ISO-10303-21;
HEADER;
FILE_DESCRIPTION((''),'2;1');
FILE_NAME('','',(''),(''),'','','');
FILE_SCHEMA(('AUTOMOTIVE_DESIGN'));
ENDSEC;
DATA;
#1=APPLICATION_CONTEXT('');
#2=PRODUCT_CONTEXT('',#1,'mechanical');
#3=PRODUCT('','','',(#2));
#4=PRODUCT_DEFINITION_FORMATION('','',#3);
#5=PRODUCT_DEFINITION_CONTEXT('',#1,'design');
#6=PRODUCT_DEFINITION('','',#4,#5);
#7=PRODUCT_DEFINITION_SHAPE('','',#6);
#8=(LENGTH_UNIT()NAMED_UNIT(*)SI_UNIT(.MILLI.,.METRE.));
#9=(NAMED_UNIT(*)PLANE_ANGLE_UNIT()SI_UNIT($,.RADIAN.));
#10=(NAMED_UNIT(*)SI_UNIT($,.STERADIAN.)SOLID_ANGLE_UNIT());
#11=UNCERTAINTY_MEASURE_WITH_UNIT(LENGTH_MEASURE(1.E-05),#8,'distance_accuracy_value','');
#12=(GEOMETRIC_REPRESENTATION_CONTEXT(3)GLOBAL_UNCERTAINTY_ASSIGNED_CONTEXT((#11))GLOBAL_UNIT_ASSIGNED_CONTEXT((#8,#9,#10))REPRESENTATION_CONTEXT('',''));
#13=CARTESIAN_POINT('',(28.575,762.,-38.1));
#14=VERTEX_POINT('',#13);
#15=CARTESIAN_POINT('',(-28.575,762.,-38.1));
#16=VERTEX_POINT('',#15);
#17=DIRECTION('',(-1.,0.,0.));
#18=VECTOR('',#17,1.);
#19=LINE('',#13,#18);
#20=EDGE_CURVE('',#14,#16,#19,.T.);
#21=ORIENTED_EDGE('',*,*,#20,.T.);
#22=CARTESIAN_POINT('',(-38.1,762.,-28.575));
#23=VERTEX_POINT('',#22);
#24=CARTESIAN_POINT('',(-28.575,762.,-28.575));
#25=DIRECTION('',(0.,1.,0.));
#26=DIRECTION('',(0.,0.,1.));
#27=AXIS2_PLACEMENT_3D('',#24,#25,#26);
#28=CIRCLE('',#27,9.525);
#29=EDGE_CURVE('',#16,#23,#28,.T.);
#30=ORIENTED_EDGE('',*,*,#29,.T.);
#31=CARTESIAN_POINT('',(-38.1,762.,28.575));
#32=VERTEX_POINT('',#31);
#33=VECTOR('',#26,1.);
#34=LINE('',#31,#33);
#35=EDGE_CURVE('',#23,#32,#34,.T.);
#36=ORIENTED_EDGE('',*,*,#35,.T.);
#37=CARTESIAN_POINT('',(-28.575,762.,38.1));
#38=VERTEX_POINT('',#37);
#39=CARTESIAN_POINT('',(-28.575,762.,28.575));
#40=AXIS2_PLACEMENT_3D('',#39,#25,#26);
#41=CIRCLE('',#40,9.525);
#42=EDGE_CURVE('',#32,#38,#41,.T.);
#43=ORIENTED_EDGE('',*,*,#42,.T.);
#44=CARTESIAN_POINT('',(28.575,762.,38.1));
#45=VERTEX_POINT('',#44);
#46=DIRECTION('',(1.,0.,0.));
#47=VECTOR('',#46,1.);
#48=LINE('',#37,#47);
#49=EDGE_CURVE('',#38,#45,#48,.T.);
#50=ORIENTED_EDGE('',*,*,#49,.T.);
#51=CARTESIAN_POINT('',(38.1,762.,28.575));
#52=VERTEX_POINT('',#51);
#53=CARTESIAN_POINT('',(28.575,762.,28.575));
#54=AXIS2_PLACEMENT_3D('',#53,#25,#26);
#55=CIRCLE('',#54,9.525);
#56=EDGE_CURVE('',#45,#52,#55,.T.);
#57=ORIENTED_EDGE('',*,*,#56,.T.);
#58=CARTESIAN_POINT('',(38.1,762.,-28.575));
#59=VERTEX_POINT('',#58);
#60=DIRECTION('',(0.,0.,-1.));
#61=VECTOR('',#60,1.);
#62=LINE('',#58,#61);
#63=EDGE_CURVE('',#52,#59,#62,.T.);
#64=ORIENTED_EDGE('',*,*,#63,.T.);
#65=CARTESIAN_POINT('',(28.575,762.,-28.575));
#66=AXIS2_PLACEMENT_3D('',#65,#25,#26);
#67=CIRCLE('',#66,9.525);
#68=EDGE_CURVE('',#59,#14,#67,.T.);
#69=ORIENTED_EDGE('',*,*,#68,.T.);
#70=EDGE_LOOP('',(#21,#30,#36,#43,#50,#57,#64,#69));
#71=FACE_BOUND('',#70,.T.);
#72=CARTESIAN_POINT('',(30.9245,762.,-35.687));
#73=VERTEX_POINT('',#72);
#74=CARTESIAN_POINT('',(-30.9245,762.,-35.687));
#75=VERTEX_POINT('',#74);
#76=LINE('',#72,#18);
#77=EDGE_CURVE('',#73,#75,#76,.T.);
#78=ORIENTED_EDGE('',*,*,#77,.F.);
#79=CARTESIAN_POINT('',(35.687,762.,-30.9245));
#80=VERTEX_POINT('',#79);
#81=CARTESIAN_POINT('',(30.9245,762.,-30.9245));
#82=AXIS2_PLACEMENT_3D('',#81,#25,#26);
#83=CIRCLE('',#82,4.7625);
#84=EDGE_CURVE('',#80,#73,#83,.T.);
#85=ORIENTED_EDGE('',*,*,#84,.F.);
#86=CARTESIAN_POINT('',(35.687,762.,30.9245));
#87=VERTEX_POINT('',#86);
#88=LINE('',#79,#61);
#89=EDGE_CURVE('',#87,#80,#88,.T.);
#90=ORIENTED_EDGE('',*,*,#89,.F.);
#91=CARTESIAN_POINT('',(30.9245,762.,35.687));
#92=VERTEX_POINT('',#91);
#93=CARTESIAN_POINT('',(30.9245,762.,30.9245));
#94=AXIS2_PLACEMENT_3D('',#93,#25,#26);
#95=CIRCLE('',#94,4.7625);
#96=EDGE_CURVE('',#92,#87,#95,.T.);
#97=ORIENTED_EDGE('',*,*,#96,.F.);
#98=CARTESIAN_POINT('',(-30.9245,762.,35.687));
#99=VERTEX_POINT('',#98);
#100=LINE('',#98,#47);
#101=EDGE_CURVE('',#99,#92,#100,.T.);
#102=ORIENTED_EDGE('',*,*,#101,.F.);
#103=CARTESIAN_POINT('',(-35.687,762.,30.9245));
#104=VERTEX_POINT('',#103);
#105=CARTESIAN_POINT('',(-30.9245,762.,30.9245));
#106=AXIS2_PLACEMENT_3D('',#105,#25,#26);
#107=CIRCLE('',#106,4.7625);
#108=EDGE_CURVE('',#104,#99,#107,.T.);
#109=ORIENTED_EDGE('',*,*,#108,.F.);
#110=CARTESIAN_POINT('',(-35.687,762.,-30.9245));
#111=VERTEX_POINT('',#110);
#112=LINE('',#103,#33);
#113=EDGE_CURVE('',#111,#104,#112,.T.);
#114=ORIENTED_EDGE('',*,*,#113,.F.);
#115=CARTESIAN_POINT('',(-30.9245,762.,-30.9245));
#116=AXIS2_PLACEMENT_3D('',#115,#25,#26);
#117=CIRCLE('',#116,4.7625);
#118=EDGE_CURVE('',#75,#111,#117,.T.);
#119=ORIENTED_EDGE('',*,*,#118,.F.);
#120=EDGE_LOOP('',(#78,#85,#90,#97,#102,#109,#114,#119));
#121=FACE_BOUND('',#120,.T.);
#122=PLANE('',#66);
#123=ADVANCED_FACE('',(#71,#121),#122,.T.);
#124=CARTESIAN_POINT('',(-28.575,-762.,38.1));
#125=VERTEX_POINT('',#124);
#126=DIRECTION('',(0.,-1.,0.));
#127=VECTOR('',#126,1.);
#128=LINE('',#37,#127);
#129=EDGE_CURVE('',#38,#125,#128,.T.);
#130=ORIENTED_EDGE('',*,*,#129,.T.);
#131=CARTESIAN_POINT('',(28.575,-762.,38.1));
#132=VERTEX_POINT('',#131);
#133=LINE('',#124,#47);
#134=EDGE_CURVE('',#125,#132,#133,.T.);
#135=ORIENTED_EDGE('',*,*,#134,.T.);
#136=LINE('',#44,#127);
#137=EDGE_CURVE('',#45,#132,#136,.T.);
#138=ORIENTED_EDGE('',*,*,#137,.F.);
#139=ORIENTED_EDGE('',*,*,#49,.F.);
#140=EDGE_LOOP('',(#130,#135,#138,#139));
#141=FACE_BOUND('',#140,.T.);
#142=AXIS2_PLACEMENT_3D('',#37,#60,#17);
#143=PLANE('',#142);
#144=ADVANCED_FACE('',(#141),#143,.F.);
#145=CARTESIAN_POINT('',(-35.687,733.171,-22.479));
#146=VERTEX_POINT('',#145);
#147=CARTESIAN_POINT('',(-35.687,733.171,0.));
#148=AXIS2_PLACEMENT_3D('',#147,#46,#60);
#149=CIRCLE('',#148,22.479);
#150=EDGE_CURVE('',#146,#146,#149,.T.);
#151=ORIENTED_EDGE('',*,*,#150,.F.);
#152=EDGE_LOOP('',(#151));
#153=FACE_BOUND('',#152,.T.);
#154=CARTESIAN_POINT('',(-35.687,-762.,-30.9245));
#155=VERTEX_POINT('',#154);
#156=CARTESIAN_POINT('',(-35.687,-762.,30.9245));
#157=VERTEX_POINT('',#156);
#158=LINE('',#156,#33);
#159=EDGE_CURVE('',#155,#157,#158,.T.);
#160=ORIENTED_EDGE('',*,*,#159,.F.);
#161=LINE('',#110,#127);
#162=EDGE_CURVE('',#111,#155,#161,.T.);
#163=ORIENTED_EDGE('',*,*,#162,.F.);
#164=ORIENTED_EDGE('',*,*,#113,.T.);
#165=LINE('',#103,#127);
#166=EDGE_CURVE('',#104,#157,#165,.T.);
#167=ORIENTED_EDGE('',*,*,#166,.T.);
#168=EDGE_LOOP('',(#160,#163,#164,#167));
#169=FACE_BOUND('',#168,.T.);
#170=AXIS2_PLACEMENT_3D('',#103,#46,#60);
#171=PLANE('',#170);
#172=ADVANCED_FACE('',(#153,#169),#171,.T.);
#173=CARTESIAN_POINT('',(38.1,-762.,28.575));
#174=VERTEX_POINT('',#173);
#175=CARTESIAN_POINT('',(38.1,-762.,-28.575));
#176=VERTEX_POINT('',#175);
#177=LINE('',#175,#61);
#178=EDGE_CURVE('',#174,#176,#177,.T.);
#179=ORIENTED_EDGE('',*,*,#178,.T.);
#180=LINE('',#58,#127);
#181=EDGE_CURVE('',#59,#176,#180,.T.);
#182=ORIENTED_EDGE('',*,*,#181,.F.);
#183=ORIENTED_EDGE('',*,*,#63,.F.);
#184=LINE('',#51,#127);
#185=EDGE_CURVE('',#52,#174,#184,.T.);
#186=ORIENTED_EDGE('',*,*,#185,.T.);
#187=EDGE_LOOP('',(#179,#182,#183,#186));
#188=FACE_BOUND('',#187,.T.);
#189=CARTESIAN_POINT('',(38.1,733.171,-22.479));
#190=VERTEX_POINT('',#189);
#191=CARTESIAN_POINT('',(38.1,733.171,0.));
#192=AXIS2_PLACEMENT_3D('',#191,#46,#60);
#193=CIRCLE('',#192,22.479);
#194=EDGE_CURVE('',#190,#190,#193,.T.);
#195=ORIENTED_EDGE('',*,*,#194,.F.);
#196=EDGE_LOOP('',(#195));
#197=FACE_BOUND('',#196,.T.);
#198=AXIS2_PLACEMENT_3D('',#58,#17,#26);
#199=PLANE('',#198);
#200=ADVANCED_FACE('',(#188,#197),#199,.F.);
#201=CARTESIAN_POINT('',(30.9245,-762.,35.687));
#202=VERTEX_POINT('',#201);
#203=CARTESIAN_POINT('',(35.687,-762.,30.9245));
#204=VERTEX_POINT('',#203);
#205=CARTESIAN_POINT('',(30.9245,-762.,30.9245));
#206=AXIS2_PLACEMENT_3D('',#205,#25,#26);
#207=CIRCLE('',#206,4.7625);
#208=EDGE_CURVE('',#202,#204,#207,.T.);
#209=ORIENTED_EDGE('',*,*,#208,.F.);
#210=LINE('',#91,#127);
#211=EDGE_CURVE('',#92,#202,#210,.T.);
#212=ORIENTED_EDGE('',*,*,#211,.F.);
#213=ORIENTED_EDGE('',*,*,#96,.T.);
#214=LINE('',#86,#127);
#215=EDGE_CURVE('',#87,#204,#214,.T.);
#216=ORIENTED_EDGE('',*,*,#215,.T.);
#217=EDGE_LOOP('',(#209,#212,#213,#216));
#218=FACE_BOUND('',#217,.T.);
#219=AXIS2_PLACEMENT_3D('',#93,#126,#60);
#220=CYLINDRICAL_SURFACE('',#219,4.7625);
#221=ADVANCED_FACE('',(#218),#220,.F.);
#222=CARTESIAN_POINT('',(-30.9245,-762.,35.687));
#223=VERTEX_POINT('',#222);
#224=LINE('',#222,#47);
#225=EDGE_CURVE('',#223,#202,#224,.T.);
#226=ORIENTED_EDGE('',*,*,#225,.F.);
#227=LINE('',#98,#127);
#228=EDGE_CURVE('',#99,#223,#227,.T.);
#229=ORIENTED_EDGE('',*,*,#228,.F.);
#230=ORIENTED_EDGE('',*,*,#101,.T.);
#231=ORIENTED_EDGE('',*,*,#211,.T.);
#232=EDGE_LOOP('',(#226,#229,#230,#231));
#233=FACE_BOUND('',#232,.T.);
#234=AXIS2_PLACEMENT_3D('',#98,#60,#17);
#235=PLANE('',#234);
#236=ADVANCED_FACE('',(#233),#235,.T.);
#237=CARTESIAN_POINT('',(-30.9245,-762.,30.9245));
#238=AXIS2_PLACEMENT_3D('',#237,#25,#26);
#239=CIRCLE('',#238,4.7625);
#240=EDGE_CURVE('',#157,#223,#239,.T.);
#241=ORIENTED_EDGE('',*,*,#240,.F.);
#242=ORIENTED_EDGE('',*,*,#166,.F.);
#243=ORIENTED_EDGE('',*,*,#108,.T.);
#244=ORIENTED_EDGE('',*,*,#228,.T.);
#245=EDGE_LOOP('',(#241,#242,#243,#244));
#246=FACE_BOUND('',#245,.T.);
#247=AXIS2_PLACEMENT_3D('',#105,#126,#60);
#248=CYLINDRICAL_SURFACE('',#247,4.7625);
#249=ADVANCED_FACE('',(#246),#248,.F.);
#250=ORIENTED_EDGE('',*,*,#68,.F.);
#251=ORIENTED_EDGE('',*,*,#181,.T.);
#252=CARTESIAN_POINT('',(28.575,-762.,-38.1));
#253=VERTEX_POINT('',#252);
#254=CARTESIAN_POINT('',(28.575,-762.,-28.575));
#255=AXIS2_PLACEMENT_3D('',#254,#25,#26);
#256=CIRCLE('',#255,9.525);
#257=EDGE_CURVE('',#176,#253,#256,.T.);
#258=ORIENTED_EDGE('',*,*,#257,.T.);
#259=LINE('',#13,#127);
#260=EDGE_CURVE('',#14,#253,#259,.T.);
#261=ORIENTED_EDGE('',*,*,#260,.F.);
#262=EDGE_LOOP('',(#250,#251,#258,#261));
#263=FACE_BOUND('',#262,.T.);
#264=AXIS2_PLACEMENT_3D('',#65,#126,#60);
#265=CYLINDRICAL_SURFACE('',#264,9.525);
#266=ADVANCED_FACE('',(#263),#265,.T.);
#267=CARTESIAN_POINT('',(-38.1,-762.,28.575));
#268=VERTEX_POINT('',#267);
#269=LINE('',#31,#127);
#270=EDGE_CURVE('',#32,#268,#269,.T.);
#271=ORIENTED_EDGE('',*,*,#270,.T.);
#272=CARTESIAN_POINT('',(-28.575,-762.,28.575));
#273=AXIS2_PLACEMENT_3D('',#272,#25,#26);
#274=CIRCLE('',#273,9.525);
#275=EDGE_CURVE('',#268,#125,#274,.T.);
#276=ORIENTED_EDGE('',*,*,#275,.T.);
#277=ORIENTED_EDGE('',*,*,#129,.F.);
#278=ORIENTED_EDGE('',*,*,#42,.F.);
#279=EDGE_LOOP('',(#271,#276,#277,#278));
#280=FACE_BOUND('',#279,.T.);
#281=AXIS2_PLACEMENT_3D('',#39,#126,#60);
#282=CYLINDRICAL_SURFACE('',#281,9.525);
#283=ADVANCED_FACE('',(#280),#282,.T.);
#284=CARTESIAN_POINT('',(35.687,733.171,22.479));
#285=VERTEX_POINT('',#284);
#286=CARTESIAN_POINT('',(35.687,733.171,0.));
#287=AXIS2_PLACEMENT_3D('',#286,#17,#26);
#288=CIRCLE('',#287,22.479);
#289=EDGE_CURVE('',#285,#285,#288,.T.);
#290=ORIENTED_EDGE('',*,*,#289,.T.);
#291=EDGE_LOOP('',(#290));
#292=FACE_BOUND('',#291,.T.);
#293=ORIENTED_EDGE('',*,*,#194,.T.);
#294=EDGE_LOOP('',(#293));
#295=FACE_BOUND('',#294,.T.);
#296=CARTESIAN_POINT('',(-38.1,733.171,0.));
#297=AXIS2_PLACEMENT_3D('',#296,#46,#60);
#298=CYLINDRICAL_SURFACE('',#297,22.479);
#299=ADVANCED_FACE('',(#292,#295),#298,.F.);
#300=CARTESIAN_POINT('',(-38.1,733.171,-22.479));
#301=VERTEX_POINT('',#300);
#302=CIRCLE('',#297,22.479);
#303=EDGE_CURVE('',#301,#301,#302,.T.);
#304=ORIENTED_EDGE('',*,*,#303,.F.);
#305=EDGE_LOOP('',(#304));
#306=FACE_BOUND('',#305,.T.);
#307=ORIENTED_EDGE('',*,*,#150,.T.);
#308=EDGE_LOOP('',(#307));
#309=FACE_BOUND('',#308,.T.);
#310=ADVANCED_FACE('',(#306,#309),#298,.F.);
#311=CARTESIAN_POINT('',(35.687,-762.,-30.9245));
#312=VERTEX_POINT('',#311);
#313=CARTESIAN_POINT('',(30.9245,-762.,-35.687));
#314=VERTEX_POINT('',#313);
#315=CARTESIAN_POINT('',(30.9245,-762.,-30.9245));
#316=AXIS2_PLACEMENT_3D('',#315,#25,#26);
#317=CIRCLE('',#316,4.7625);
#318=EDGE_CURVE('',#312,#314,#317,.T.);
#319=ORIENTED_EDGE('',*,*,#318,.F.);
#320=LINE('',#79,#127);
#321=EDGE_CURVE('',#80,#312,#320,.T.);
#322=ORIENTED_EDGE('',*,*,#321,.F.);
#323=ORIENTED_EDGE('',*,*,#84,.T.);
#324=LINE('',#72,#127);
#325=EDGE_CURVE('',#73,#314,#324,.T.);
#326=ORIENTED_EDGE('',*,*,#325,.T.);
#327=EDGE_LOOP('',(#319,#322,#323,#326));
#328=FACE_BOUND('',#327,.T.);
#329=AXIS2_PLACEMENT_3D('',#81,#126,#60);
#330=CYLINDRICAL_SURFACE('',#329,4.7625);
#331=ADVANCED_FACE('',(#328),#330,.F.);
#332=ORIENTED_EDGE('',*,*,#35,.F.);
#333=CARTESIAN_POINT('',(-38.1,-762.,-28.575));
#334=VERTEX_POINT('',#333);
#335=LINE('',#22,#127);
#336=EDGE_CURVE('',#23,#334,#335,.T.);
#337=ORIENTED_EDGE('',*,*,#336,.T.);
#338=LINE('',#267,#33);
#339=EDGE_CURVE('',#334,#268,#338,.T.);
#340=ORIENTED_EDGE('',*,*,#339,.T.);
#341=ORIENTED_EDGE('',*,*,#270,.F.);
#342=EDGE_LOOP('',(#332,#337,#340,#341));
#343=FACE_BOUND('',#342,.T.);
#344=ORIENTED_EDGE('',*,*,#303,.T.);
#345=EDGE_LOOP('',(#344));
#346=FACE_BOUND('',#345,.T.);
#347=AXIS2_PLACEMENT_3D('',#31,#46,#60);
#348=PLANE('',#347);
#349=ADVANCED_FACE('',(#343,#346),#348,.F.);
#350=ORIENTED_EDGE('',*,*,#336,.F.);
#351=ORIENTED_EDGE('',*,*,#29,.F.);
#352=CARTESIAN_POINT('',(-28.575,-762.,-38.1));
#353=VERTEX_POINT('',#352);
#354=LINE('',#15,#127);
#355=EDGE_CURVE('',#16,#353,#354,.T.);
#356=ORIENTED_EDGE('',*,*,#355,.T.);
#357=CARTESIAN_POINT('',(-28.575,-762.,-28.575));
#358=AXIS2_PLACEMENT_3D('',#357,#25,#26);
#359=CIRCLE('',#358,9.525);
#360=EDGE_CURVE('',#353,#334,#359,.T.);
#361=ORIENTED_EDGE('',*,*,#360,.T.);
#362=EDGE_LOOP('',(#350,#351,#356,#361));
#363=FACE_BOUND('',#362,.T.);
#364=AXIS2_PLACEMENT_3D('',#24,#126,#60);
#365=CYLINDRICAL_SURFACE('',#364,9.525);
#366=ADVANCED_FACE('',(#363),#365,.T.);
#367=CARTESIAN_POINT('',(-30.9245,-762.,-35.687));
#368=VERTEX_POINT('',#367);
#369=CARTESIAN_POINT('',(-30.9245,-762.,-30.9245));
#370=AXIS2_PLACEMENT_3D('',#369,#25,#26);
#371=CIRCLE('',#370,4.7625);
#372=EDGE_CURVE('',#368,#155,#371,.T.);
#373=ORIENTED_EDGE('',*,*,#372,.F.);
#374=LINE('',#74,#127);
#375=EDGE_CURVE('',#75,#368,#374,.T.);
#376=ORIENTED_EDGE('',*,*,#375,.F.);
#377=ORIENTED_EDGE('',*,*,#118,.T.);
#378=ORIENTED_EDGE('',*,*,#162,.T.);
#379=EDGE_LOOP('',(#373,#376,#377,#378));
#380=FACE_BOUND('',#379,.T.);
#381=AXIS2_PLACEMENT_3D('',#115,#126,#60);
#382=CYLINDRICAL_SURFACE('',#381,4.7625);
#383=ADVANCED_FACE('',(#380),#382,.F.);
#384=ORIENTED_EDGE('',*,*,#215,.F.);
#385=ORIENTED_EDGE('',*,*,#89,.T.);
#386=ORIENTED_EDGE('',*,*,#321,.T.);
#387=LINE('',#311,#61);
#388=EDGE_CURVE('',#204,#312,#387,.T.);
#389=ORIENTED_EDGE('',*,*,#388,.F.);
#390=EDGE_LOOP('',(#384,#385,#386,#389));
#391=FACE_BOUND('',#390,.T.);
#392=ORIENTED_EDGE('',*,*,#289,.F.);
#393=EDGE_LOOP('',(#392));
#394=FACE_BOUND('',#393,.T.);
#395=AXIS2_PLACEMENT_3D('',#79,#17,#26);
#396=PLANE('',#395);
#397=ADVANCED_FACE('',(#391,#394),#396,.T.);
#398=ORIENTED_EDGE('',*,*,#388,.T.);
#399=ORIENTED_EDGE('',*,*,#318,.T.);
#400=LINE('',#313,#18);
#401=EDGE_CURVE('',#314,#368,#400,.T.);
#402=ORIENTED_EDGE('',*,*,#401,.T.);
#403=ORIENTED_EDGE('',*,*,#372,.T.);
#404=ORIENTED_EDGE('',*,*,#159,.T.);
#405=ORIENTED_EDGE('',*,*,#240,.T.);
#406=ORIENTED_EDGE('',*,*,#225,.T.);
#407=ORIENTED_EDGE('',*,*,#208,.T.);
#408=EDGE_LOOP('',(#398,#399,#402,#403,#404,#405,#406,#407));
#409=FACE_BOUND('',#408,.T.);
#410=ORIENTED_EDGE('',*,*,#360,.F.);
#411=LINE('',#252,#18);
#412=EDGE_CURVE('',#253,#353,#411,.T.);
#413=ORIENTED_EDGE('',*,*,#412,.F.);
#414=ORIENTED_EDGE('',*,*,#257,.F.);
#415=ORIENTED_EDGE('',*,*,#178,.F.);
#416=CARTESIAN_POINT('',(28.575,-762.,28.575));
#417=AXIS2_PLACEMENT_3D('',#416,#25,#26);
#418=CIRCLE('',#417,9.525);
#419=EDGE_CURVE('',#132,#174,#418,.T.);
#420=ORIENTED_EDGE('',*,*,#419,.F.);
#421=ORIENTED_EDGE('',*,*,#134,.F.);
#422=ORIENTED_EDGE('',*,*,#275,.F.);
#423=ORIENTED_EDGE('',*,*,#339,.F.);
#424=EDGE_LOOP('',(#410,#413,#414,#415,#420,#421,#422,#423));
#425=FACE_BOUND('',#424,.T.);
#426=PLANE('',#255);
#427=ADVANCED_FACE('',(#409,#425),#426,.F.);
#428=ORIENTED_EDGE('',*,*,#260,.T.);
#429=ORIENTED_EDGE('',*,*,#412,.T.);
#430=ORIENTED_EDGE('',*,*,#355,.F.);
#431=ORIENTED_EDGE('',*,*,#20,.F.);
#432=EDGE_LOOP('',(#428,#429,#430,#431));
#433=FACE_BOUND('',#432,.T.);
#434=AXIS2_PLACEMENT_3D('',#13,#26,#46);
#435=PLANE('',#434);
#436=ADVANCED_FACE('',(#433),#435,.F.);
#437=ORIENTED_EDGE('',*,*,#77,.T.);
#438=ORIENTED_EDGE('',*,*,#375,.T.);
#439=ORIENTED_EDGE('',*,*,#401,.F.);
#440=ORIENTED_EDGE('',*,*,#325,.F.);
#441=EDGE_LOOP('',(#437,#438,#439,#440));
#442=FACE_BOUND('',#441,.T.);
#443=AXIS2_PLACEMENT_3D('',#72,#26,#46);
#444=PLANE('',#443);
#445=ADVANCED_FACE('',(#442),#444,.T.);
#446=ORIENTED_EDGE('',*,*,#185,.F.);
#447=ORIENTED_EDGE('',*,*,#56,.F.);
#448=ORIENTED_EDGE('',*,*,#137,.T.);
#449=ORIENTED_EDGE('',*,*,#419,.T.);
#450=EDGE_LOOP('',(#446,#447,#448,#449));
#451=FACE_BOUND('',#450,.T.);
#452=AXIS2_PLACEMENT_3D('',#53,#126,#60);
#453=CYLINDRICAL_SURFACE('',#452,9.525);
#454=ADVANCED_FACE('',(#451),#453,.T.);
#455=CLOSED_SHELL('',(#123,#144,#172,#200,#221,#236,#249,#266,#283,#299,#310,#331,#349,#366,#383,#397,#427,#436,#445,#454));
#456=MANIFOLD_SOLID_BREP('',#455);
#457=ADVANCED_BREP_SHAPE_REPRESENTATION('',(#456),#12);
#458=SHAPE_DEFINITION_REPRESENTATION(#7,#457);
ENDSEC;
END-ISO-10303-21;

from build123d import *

# Parameters (mm, degrees)
BOSS_EXTRUDE1_DEPTH = 762
SKETCH2_R           = 22.479
CUT_EXTRUDE1_DEPTH  = 77.2


with BuildPart() as part:
    # Sketch1 → Boss-Extrude1 (new body, symmetric)
    with BuildSketch(Plane(origin=(0, 0, 0), x_dir=(1, 0, 0), z_dir=(0, 1, 0))):
        with BuildLine():
            Line((-28.575, -38.1), (28.575, -38.1))
            ThreePointArc((28.575, -38.1), (35.310192091, -35.310192091), (38.1, -28.575))
            Line((38.1, -28.575), (38.1, 28.575))
            ThreePointArc((38.1, 28.575), (35.310192091, 35.310192091), (28.575, 38.1))
            Line((28.575, 38.1), (-28.575, 38.1))
            ThreePointArc((-28.575, 38.1), (-35.310192091, 35.310192091), (-38.1, 28.575))
            Line((-38.1, 28.575), (-38.1, -28.575))
            ThreePointArc((-38.1, -28.575), (-35.310192091, -35.310192091), (-28.575, -38.1))
        make_face()
        with BuildLine():
            Line((-30.9245, -35.687), (30.9245, -35.687))
            ThreePointArc((30.9245, -35.687), (34.292096045, -34.292096045), (35.687, -30.9245))
            Line((35.687, -30.9245), (35.687, 30.9245))
            ThreePointArc((35.687, 30.9245), (34.292096045, 34.292096045), (30.9245, 35.687))
            Line((30.9245, 35.687), (-30.9245, 35.687))
            ThreePointArc((-30.9245, 35.687), (-34.292096045, 34.292096045), (-35.687, 30.9245))
            Line((-35.687, 30.9245), (-35.687, -30.9245))
            ThreePointArc((-35.687, -30.9245), (-34.292096045, -34.292096045), (-30.9245, -35.687))
        make_face(mode=Mode.SUBTRACT)
    extrude(amount=BOSS_EXTRUDE1_DEPTH, both=True)

    # Sketch2 → Cut-Extrude1 (cut, through all)
    with BuildSketch(Plane(origin=(38.1, 0, 0), x_dir=(0, 0, -1), z_dir=(1, 0, 0))):
        with Locations((0, 733.171)):
            Circle(SKETCH2_R)
    extrude(amount=-CUT_EXTRUDE1_DEPTH, mode=Mode.SUBTRACT)


solid = part.part
